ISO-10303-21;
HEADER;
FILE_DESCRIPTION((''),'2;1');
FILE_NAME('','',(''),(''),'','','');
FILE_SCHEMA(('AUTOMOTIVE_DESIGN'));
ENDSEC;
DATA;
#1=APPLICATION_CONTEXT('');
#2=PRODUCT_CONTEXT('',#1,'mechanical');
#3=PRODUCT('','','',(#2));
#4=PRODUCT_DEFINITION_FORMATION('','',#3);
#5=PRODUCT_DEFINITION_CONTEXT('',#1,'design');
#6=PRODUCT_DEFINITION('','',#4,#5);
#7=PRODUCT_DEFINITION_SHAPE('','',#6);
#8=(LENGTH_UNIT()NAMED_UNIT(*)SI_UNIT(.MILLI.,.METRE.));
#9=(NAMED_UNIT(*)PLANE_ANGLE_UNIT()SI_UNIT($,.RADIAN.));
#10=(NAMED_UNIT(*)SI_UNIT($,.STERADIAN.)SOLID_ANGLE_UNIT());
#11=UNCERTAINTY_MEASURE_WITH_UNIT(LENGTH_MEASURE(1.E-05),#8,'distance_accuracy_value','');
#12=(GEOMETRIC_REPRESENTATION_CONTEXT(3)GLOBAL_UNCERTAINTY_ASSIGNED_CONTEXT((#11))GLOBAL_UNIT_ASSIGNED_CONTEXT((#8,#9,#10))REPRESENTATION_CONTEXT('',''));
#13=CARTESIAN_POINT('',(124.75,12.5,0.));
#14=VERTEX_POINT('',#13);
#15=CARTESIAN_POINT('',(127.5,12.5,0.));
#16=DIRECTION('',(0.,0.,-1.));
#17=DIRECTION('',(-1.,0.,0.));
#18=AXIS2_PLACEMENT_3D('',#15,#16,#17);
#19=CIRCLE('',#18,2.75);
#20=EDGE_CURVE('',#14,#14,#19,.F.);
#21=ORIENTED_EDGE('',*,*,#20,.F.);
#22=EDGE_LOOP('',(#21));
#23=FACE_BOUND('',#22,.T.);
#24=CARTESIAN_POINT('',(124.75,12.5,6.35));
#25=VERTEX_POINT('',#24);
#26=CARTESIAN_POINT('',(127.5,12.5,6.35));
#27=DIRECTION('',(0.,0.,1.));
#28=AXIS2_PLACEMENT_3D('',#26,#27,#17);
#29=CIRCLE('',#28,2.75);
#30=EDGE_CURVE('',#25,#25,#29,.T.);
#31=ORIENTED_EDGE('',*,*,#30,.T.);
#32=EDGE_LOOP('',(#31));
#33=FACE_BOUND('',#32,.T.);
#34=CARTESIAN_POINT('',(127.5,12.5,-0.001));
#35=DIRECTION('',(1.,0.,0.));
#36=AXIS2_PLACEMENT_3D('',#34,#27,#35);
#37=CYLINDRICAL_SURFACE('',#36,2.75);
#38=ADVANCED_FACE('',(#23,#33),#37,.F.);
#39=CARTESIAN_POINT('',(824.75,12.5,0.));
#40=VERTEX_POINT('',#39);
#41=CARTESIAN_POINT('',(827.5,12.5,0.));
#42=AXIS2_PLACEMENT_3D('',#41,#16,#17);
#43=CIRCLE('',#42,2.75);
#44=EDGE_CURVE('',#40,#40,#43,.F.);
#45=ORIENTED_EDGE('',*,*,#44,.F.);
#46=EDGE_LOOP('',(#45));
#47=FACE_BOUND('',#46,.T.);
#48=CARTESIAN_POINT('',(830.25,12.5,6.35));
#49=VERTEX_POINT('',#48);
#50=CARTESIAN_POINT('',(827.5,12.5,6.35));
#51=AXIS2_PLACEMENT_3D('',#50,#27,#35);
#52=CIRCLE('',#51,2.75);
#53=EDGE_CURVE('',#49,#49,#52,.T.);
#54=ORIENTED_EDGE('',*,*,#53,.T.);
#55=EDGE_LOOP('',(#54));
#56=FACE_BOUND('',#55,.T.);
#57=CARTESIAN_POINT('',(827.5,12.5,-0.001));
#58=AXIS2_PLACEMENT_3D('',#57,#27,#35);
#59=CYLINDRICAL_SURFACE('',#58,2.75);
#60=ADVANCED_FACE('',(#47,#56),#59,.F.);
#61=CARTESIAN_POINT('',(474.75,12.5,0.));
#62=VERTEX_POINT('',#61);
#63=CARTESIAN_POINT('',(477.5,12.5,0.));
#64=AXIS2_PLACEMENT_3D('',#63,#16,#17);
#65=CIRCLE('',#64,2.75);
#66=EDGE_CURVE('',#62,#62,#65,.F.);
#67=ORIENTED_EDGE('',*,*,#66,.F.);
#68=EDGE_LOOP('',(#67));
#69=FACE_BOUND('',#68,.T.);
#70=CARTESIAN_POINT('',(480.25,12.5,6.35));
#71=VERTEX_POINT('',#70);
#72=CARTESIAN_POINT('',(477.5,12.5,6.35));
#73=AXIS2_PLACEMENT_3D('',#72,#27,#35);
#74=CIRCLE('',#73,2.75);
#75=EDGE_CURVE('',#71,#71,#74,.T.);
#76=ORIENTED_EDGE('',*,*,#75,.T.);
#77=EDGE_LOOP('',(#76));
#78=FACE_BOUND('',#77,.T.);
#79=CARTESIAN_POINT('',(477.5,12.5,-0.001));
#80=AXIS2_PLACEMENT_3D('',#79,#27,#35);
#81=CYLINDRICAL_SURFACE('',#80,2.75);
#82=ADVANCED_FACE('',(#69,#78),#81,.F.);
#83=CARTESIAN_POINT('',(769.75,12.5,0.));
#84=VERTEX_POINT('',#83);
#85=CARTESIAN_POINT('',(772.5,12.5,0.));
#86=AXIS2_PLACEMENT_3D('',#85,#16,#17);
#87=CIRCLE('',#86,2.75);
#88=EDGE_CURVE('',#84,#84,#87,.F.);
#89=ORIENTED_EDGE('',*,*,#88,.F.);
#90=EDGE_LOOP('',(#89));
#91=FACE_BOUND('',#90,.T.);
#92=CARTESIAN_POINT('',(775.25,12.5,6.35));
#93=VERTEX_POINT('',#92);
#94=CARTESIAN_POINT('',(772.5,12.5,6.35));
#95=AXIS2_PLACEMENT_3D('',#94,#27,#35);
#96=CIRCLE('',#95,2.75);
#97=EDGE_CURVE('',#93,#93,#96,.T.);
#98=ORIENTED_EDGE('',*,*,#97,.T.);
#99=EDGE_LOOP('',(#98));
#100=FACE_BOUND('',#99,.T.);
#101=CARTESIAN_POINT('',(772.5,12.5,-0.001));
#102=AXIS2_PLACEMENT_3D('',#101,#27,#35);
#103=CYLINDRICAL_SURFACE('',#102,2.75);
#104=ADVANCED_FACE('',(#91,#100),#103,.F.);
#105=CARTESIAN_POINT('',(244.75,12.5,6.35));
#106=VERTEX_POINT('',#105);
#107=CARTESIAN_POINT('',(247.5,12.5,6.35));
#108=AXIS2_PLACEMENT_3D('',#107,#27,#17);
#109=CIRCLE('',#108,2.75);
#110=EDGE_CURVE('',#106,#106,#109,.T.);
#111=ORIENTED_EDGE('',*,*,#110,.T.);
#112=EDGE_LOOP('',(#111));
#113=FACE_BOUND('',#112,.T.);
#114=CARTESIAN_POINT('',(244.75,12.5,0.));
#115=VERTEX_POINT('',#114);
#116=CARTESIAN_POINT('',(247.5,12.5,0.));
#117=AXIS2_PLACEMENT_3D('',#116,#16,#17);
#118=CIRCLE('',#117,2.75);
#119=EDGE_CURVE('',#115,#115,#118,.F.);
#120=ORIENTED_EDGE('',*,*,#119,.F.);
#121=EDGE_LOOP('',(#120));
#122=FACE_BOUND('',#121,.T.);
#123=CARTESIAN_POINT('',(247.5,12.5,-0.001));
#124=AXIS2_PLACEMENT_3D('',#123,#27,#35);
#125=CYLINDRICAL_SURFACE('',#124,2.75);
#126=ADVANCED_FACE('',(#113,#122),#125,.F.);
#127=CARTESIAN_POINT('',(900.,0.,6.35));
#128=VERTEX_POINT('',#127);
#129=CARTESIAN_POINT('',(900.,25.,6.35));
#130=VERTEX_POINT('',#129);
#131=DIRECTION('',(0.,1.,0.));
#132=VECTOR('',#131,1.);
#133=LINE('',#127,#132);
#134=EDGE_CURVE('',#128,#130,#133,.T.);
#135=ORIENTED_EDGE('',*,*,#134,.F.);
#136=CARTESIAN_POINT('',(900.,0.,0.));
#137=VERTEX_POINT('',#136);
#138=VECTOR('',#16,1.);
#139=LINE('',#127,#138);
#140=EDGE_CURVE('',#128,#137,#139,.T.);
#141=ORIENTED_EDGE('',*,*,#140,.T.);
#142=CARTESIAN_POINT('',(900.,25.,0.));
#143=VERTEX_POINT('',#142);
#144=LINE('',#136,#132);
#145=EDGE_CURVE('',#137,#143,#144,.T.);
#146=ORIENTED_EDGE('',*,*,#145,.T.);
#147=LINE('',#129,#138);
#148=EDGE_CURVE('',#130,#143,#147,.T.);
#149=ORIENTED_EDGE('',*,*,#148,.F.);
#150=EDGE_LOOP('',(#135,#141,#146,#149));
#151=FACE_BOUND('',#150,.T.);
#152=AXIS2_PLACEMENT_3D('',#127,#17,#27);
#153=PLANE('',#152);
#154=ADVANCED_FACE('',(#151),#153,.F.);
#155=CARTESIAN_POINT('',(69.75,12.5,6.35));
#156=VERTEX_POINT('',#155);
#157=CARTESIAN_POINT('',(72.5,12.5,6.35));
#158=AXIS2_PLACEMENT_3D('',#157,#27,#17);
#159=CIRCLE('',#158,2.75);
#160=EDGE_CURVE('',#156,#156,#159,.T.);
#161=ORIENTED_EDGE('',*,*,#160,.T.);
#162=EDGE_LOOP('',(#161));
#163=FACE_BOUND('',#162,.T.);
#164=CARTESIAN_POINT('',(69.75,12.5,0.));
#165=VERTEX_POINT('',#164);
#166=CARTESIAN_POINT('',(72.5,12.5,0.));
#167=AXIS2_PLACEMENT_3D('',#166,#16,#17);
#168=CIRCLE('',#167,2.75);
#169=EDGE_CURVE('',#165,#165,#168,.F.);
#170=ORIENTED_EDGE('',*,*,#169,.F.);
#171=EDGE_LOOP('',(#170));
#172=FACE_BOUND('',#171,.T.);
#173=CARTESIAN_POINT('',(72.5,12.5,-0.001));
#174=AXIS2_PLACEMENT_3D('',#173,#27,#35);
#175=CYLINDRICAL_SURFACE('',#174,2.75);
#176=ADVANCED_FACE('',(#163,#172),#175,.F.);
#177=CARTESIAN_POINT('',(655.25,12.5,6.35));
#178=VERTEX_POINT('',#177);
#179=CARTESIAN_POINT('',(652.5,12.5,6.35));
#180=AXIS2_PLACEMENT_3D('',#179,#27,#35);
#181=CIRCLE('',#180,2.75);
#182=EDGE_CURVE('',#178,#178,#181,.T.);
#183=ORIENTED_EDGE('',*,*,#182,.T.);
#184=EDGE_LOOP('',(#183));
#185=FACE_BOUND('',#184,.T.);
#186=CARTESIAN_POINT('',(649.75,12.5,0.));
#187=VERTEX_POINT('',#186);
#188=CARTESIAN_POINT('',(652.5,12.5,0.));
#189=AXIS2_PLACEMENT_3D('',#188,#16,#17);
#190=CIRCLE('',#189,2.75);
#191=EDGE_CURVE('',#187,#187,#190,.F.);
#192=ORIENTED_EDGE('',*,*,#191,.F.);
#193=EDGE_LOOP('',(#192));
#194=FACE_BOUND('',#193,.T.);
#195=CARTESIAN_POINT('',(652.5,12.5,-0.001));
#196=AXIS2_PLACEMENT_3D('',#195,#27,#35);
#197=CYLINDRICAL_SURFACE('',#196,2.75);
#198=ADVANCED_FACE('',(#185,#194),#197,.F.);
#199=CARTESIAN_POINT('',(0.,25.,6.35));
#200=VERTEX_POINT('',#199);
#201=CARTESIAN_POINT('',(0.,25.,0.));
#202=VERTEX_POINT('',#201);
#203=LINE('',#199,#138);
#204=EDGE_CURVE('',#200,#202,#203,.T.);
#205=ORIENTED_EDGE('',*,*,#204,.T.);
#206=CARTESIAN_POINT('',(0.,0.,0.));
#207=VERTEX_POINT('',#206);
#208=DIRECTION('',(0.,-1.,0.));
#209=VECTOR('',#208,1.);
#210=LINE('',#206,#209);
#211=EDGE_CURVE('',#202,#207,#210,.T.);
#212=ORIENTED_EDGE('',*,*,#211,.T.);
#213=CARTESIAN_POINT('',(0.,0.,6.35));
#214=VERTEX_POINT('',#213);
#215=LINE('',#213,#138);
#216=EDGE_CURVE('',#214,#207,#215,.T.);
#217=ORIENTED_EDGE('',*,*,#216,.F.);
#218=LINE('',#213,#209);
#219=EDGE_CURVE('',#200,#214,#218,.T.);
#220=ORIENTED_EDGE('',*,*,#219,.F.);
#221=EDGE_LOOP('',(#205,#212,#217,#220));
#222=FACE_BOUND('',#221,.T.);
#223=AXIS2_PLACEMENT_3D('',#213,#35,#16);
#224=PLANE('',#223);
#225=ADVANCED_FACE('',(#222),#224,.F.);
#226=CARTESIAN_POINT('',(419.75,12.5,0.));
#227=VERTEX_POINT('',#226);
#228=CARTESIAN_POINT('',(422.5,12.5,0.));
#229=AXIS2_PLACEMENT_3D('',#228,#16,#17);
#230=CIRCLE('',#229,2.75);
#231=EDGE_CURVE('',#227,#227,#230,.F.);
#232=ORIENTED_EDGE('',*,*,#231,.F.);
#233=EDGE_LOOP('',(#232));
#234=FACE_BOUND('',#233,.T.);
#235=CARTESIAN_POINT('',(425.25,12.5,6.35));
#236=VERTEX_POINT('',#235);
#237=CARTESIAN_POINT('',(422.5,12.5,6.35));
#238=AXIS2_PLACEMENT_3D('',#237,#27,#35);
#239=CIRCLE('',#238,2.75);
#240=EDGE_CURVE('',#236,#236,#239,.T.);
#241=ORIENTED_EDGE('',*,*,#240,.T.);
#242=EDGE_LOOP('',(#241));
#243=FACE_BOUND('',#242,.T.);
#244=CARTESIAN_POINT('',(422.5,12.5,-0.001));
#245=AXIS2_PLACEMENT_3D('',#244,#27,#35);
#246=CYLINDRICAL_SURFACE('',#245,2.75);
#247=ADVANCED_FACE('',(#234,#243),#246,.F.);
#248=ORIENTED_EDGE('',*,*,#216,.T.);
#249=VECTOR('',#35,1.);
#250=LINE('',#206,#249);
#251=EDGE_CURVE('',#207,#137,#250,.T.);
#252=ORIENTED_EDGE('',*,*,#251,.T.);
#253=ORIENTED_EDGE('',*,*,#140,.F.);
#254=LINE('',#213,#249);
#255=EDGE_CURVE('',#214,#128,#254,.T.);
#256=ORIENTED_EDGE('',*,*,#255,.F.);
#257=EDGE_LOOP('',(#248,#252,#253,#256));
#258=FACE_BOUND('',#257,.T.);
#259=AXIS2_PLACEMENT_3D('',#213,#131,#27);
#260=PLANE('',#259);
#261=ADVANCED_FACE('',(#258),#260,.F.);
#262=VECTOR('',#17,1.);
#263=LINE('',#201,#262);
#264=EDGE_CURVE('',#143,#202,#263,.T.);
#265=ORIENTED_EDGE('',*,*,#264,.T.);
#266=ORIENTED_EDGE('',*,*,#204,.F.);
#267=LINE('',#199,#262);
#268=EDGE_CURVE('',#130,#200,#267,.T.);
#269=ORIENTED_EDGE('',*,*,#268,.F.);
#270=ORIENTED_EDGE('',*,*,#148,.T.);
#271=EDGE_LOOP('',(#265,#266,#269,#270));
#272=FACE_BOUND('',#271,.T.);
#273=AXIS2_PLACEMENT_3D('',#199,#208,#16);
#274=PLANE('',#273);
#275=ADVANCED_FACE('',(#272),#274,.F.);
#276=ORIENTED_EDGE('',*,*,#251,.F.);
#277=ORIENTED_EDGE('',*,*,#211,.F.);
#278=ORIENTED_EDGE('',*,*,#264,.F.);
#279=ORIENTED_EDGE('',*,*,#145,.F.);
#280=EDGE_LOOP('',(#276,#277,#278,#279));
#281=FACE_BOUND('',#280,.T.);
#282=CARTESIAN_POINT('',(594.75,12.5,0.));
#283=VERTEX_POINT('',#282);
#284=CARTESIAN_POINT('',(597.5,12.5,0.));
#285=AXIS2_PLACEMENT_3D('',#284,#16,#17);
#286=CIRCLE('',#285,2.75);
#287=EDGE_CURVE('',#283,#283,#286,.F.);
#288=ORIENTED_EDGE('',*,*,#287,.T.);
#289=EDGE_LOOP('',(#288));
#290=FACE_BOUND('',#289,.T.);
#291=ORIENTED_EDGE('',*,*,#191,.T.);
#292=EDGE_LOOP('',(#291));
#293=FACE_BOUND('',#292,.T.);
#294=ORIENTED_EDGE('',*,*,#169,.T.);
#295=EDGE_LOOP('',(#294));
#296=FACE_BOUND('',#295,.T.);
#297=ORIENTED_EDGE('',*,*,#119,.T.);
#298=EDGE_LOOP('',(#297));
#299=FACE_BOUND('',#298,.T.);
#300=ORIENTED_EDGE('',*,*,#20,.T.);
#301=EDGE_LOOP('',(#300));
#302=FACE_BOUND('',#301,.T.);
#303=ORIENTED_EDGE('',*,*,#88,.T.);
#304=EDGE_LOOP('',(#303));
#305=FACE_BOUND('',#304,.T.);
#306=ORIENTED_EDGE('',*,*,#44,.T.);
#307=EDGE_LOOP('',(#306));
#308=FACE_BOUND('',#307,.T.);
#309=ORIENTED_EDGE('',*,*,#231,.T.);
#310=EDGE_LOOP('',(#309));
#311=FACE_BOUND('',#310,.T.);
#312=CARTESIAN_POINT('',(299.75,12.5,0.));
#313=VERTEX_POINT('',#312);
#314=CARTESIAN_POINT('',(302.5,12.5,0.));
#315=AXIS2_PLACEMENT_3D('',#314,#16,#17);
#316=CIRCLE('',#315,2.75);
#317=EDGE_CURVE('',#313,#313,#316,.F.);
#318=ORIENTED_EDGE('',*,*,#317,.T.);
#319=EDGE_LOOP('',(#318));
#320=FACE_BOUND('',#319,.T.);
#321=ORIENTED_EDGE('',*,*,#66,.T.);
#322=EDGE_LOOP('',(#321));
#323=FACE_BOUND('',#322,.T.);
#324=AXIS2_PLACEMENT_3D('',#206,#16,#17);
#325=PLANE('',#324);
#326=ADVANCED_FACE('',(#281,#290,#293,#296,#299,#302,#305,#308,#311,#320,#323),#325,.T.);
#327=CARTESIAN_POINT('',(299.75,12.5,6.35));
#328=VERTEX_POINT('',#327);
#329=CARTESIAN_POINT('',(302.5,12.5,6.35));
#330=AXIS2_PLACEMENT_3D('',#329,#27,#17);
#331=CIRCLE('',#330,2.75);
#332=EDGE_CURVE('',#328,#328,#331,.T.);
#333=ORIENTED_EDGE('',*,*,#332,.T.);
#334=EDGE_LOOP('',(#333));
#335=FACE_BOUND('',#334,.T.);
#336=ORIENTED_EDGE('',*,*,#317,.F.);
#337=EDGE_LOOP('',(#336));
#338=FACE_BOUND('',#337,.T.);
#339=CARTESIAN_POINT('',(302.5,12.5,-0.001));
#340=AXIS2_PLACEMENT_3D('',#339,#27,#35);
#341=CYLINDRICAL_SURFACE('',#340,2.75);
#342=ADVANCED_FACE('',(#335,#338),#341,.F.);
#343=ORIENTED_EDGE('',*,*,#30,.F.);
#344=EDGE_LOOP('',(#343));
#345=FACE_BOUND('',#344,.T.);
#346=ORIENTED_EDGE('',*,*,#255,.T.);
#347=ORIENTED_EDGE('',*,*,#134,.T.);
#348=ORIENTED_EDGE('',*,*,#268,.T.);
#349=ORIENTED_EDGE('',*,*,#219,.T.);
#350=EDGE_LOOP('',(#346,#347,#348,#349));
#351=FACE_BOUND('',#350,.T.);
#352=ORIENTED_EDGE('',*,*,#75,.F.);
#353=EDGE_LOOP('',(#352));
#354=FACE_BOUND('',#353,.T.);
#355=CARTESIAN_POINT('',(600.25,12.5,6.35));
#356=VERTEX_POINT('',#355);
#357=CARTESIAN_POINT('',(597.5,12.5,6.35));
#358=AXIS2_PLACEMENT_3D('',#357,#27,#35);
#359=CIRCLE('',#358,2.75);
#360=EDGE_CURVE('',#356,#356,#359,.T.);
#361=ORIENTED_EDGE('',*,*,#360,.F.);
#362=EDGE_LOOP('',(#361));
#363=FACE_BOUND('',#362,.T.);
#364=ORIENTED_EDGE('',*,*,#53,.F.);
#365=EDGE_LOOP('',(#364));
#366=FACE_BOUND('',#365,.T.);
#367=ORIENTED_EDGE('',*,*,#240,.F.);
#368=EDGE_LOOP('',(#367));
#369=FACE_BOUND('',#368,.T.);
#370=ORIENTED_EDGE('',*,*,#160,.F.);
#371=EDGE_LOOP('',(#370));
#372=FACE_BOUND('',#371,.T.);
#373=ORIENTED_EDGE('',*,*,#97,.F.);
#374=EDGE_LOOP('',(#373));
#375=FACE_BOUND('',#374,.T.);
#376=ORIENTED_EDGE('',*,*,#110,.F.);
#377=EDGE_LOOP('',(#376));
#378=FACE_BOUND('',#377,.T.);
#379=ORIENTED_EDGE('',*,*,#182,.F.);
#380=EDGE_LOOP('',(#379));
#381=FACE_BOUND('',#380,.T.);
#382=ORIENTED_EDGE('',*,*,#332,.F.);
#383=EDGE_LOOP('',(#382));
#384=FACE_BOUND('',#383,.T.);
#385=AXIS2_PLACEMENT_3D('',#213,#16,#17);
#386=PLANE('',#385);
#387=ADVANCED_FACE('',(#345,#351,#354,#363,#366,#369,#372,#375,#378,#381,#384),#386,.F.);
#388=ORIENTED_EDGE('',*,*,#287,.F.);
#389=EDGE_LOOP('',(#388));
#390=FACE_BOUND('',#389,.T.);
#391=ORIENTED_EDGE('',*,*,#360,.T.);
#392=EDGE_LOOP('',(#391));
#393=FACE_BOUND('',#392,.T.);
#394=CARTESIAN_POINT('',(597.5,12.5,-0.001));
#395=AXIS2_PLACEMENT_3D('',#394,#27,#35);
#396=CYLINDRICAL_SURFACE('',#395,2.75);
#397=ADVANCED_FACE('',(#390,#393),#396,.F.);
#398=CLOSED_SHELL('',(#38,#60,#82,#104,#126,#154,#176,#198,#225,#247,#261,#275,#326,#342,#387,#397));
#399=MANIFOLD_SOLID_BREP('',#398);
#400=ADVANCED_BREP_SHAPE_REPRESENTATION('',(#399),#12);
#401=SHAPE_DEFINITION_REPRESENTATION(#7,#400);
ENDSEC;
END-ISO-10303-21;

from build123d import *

# Parameters (mm, degrees)
SKETCH1_W           = 900
SKETCH1_H           = 25
BOSS_EXTRUDE1_DEPTH = 6.35
CUT_EXTRUDE1_REACH  = 902.37
SKETCH2_R           = 2.75


with BuildPart() as part:
    # Sketch1 → Boss-Extrude1 (new body)
    with BuildSketch(Plane.XY):
        with Locations((450, 12.5)):
            Rectangle(SKETCH1_W, SKETCH1_H)
    extrude(amount=BOSS_EXTRUDE1_DEPTH)

    # Sketch2 → Cut-Extrude1 (cut, up to next)
    with BuildSketch(Plane.XY.offset(6.35), mode=Mode.PRIVATE) as cut_extrude1_sk1:
        with Locations((477.5, 12.5)):
            Circle(SKETCH2_R)
    cut_extrude1_tool1 = extrude(cut_extrude1_sk1.sketch, amount=-CUT_EXTRUDE1_REACH, mode=Mode.PRIVATE) & part.part
    # Sketch2 → Cut-Extrude1 (cut, up to next)
    with BuildSketch(Plane.XY.offset(6.35), mode=Mode.PRIVATE) as cut_extrude1_sk2:
        with Locations((422.5, 12.5)):
            Circle(SKETCH2_R)
    cut_extrude1_tool2 = extrude(cut_extrude1_sk2.sketch, amount=-CUT_EXTRUDE1_REACH, mode=Mode.PRIVATE) & part.part
    # Sketch2 → Cut-Extrude1 (cut, up to next)
    with BuildSketch(Plane.XY.offset(6.35), mode=Mode.PRIVATE) as cut_extrude1_sk3:
        with Locations((652.5, 12.5)):
            Circle(SKETCH2_R)
    cut_extrude1_tool3 = extrude(cut_extrude1_sk3.sketch, amount=-CUT_EXTRUDE1_REACH, mode=Mode.PRIVATE) & part.part
    # Sketch2 → Cut-Extrude1 (cut, up to next)
    with BuildSketch(Plane.XY.offset(6.35), mode=Mode.PRIVATE) as cut_extrude1_sk4:
        with Locations((597.5, 12.5)):
            Circle(SKETCH2_R)
    cut_extrude1_tool4 = extrude(cut_extrude1_sk4.sketch, amount=-CUT_EXTRUDE1_REACH, mode=Mode.PRIVATE) & part.part
    # Sketch2 → Cut-Extrude1 (cut, up to next)
    with BuildSketch(Plane.XY.offset(6.35), mode=Mode.PRIVATE) as cut_extrude1_sk5:
        with Locations((827.5, 12.5)):
            Circle(SKETCH2_R)
    cut_extrude1_tool5 = extrude(cut_extrude1_sk5.sketch, amount=-CUT_EXTRUDE1_REACH, mode=Mode.PRIVATE) & part.part
    # Sketch2 → Cut-Extrude1 (cut, up to next)
    with BuildSketch(Plane.XY.offset(6.35), mode=Mode.PRIVATE) as cut_extrude1_sk6:
        with Locations((772.5, 12.5)):
            Circle(SKETCH2_R)
    cut_extrude1_tool6 = extrude(cut_extrude1_sk6.sketch, amount=-CUT_EXTRUDE1_REACH, mode=Mode.PRIVATE) & part.part
    # Sketch2 → Cut-Extrude1 (cut, up to next)
    with BuildSketch(Plane.XY.offset(6.35), mode=Mode.PRIVATE) as cut_extrude1_sk7:
        with Locations(Location((127.5, 12.5, 0), (0, 0, 180))):
            Circle(SKETCH2_R)
    cut_extrude1_tool7 = extrude(cut_extrude1_sk7.sketch, amount=-CUT_EXTRUDE1_REACH, mode=Mode.PRIVATE) & part.part
    # Sketch2 → Cut-Extrude1 (cut, up to next)
    with BuildSketch(Plane.XY.offset(6.35), mode=Mode.PRIVATE) as cut_extrude1_sk8:
        with Locations(Location((72.5, 12.5, 0), (0, 0, 180))):
            Circle(SKETCH2_R)
    cut_extrude1_tool8 = extrude(cut_extrude1_sk8.sketch, amount=-CUT_EXTRUDE1_REACH, mode=Mode.PRIVATE) & part.part
    # Sketch2 → Cut-Extrude1 (cut, up to next)
    with BuildSketch(Plane.XY.offset(6.35), mode=Mode.PRIVATE) as cut_extrude1_sk9:
        with Locations(Location((247.5, 12.5, 0), (0, 0, 180))):
            Circle(SKETCH2_R)
    cut_extrude1_tool9 = extrude(cut_extrude1_sk9.sketch, amount=-CUT_EXTRUDE1_REACH, mode=Mode.PRIVATE) & part.part
    # Sketch2 → Cut-Extrude1 (cut, up to next)
    with BuildSketch(Plane.XY.offset(6.35), mode=Mode.PRIVATE) as cut_extrude1_sk10:
        with Locations(Location((302.5, 12.5, 0), (0, 0, 180))):
            Circle(SKETCH2_R)
    cut_extrude1_tool10 = extrude(cut_extrude1_sk10.sketch, amount=-CUT_EXTRUDE1_REACH, mode=Mode.PRIVATE) & part.part
    add(cut_extrude1_tool1.solids().sort_by_distance((477.5, 12.5, 6.35))[0], mode=Mode.SUBTRACT)
    add(cut_extrude1_tool2.solids().sort_by_distance((422.5, 12.5, 6.35))[0], mode=Mode.SUBTRACT)
    add(cut_extrude1_tool3.solids().sort_by_distance((652.5, 12.5, 6.35))[0], mode=Mode.SUBTRACT)
    add(cut_extrude1_tool4.solids().sort_by_distance((597.5, 12.5, 6.35))[0], mode=Mode.SUBTRACT)
    add(cut_extrude1_tool5.solids().sort_by_distance((827.5, 12.5, 6.35))[0], mode=Mode.SUBTRACT)
    add(cut_extrude1_tool6.solids().sort_by_distance((772.5, 12.5, 6.35))[0], mode=Mode.SUBTRACT)
    add(cut_extrude1_tool7.solids().sort_by_distance((127.5, 12.5, 6.35))[0], mode=Mode.SUBTRACT)
    add(cut_extrude1_tool8.solids().sort_by_distance((72.5, 12.5, 6.35))[0], mode=Mode.SUBTRACT)
    add(cut_extrude1_tool9.solids().sort_by_distance((247.5, 12.5, 6.35))[0], mode=Mode.SUBTRACT)
    add(cut_extrude1_tool10.solids().sort_by_distance((302.5, 12.5, 6.35))[0], mode=Mode.SUBTRACT)


solid = part.part
